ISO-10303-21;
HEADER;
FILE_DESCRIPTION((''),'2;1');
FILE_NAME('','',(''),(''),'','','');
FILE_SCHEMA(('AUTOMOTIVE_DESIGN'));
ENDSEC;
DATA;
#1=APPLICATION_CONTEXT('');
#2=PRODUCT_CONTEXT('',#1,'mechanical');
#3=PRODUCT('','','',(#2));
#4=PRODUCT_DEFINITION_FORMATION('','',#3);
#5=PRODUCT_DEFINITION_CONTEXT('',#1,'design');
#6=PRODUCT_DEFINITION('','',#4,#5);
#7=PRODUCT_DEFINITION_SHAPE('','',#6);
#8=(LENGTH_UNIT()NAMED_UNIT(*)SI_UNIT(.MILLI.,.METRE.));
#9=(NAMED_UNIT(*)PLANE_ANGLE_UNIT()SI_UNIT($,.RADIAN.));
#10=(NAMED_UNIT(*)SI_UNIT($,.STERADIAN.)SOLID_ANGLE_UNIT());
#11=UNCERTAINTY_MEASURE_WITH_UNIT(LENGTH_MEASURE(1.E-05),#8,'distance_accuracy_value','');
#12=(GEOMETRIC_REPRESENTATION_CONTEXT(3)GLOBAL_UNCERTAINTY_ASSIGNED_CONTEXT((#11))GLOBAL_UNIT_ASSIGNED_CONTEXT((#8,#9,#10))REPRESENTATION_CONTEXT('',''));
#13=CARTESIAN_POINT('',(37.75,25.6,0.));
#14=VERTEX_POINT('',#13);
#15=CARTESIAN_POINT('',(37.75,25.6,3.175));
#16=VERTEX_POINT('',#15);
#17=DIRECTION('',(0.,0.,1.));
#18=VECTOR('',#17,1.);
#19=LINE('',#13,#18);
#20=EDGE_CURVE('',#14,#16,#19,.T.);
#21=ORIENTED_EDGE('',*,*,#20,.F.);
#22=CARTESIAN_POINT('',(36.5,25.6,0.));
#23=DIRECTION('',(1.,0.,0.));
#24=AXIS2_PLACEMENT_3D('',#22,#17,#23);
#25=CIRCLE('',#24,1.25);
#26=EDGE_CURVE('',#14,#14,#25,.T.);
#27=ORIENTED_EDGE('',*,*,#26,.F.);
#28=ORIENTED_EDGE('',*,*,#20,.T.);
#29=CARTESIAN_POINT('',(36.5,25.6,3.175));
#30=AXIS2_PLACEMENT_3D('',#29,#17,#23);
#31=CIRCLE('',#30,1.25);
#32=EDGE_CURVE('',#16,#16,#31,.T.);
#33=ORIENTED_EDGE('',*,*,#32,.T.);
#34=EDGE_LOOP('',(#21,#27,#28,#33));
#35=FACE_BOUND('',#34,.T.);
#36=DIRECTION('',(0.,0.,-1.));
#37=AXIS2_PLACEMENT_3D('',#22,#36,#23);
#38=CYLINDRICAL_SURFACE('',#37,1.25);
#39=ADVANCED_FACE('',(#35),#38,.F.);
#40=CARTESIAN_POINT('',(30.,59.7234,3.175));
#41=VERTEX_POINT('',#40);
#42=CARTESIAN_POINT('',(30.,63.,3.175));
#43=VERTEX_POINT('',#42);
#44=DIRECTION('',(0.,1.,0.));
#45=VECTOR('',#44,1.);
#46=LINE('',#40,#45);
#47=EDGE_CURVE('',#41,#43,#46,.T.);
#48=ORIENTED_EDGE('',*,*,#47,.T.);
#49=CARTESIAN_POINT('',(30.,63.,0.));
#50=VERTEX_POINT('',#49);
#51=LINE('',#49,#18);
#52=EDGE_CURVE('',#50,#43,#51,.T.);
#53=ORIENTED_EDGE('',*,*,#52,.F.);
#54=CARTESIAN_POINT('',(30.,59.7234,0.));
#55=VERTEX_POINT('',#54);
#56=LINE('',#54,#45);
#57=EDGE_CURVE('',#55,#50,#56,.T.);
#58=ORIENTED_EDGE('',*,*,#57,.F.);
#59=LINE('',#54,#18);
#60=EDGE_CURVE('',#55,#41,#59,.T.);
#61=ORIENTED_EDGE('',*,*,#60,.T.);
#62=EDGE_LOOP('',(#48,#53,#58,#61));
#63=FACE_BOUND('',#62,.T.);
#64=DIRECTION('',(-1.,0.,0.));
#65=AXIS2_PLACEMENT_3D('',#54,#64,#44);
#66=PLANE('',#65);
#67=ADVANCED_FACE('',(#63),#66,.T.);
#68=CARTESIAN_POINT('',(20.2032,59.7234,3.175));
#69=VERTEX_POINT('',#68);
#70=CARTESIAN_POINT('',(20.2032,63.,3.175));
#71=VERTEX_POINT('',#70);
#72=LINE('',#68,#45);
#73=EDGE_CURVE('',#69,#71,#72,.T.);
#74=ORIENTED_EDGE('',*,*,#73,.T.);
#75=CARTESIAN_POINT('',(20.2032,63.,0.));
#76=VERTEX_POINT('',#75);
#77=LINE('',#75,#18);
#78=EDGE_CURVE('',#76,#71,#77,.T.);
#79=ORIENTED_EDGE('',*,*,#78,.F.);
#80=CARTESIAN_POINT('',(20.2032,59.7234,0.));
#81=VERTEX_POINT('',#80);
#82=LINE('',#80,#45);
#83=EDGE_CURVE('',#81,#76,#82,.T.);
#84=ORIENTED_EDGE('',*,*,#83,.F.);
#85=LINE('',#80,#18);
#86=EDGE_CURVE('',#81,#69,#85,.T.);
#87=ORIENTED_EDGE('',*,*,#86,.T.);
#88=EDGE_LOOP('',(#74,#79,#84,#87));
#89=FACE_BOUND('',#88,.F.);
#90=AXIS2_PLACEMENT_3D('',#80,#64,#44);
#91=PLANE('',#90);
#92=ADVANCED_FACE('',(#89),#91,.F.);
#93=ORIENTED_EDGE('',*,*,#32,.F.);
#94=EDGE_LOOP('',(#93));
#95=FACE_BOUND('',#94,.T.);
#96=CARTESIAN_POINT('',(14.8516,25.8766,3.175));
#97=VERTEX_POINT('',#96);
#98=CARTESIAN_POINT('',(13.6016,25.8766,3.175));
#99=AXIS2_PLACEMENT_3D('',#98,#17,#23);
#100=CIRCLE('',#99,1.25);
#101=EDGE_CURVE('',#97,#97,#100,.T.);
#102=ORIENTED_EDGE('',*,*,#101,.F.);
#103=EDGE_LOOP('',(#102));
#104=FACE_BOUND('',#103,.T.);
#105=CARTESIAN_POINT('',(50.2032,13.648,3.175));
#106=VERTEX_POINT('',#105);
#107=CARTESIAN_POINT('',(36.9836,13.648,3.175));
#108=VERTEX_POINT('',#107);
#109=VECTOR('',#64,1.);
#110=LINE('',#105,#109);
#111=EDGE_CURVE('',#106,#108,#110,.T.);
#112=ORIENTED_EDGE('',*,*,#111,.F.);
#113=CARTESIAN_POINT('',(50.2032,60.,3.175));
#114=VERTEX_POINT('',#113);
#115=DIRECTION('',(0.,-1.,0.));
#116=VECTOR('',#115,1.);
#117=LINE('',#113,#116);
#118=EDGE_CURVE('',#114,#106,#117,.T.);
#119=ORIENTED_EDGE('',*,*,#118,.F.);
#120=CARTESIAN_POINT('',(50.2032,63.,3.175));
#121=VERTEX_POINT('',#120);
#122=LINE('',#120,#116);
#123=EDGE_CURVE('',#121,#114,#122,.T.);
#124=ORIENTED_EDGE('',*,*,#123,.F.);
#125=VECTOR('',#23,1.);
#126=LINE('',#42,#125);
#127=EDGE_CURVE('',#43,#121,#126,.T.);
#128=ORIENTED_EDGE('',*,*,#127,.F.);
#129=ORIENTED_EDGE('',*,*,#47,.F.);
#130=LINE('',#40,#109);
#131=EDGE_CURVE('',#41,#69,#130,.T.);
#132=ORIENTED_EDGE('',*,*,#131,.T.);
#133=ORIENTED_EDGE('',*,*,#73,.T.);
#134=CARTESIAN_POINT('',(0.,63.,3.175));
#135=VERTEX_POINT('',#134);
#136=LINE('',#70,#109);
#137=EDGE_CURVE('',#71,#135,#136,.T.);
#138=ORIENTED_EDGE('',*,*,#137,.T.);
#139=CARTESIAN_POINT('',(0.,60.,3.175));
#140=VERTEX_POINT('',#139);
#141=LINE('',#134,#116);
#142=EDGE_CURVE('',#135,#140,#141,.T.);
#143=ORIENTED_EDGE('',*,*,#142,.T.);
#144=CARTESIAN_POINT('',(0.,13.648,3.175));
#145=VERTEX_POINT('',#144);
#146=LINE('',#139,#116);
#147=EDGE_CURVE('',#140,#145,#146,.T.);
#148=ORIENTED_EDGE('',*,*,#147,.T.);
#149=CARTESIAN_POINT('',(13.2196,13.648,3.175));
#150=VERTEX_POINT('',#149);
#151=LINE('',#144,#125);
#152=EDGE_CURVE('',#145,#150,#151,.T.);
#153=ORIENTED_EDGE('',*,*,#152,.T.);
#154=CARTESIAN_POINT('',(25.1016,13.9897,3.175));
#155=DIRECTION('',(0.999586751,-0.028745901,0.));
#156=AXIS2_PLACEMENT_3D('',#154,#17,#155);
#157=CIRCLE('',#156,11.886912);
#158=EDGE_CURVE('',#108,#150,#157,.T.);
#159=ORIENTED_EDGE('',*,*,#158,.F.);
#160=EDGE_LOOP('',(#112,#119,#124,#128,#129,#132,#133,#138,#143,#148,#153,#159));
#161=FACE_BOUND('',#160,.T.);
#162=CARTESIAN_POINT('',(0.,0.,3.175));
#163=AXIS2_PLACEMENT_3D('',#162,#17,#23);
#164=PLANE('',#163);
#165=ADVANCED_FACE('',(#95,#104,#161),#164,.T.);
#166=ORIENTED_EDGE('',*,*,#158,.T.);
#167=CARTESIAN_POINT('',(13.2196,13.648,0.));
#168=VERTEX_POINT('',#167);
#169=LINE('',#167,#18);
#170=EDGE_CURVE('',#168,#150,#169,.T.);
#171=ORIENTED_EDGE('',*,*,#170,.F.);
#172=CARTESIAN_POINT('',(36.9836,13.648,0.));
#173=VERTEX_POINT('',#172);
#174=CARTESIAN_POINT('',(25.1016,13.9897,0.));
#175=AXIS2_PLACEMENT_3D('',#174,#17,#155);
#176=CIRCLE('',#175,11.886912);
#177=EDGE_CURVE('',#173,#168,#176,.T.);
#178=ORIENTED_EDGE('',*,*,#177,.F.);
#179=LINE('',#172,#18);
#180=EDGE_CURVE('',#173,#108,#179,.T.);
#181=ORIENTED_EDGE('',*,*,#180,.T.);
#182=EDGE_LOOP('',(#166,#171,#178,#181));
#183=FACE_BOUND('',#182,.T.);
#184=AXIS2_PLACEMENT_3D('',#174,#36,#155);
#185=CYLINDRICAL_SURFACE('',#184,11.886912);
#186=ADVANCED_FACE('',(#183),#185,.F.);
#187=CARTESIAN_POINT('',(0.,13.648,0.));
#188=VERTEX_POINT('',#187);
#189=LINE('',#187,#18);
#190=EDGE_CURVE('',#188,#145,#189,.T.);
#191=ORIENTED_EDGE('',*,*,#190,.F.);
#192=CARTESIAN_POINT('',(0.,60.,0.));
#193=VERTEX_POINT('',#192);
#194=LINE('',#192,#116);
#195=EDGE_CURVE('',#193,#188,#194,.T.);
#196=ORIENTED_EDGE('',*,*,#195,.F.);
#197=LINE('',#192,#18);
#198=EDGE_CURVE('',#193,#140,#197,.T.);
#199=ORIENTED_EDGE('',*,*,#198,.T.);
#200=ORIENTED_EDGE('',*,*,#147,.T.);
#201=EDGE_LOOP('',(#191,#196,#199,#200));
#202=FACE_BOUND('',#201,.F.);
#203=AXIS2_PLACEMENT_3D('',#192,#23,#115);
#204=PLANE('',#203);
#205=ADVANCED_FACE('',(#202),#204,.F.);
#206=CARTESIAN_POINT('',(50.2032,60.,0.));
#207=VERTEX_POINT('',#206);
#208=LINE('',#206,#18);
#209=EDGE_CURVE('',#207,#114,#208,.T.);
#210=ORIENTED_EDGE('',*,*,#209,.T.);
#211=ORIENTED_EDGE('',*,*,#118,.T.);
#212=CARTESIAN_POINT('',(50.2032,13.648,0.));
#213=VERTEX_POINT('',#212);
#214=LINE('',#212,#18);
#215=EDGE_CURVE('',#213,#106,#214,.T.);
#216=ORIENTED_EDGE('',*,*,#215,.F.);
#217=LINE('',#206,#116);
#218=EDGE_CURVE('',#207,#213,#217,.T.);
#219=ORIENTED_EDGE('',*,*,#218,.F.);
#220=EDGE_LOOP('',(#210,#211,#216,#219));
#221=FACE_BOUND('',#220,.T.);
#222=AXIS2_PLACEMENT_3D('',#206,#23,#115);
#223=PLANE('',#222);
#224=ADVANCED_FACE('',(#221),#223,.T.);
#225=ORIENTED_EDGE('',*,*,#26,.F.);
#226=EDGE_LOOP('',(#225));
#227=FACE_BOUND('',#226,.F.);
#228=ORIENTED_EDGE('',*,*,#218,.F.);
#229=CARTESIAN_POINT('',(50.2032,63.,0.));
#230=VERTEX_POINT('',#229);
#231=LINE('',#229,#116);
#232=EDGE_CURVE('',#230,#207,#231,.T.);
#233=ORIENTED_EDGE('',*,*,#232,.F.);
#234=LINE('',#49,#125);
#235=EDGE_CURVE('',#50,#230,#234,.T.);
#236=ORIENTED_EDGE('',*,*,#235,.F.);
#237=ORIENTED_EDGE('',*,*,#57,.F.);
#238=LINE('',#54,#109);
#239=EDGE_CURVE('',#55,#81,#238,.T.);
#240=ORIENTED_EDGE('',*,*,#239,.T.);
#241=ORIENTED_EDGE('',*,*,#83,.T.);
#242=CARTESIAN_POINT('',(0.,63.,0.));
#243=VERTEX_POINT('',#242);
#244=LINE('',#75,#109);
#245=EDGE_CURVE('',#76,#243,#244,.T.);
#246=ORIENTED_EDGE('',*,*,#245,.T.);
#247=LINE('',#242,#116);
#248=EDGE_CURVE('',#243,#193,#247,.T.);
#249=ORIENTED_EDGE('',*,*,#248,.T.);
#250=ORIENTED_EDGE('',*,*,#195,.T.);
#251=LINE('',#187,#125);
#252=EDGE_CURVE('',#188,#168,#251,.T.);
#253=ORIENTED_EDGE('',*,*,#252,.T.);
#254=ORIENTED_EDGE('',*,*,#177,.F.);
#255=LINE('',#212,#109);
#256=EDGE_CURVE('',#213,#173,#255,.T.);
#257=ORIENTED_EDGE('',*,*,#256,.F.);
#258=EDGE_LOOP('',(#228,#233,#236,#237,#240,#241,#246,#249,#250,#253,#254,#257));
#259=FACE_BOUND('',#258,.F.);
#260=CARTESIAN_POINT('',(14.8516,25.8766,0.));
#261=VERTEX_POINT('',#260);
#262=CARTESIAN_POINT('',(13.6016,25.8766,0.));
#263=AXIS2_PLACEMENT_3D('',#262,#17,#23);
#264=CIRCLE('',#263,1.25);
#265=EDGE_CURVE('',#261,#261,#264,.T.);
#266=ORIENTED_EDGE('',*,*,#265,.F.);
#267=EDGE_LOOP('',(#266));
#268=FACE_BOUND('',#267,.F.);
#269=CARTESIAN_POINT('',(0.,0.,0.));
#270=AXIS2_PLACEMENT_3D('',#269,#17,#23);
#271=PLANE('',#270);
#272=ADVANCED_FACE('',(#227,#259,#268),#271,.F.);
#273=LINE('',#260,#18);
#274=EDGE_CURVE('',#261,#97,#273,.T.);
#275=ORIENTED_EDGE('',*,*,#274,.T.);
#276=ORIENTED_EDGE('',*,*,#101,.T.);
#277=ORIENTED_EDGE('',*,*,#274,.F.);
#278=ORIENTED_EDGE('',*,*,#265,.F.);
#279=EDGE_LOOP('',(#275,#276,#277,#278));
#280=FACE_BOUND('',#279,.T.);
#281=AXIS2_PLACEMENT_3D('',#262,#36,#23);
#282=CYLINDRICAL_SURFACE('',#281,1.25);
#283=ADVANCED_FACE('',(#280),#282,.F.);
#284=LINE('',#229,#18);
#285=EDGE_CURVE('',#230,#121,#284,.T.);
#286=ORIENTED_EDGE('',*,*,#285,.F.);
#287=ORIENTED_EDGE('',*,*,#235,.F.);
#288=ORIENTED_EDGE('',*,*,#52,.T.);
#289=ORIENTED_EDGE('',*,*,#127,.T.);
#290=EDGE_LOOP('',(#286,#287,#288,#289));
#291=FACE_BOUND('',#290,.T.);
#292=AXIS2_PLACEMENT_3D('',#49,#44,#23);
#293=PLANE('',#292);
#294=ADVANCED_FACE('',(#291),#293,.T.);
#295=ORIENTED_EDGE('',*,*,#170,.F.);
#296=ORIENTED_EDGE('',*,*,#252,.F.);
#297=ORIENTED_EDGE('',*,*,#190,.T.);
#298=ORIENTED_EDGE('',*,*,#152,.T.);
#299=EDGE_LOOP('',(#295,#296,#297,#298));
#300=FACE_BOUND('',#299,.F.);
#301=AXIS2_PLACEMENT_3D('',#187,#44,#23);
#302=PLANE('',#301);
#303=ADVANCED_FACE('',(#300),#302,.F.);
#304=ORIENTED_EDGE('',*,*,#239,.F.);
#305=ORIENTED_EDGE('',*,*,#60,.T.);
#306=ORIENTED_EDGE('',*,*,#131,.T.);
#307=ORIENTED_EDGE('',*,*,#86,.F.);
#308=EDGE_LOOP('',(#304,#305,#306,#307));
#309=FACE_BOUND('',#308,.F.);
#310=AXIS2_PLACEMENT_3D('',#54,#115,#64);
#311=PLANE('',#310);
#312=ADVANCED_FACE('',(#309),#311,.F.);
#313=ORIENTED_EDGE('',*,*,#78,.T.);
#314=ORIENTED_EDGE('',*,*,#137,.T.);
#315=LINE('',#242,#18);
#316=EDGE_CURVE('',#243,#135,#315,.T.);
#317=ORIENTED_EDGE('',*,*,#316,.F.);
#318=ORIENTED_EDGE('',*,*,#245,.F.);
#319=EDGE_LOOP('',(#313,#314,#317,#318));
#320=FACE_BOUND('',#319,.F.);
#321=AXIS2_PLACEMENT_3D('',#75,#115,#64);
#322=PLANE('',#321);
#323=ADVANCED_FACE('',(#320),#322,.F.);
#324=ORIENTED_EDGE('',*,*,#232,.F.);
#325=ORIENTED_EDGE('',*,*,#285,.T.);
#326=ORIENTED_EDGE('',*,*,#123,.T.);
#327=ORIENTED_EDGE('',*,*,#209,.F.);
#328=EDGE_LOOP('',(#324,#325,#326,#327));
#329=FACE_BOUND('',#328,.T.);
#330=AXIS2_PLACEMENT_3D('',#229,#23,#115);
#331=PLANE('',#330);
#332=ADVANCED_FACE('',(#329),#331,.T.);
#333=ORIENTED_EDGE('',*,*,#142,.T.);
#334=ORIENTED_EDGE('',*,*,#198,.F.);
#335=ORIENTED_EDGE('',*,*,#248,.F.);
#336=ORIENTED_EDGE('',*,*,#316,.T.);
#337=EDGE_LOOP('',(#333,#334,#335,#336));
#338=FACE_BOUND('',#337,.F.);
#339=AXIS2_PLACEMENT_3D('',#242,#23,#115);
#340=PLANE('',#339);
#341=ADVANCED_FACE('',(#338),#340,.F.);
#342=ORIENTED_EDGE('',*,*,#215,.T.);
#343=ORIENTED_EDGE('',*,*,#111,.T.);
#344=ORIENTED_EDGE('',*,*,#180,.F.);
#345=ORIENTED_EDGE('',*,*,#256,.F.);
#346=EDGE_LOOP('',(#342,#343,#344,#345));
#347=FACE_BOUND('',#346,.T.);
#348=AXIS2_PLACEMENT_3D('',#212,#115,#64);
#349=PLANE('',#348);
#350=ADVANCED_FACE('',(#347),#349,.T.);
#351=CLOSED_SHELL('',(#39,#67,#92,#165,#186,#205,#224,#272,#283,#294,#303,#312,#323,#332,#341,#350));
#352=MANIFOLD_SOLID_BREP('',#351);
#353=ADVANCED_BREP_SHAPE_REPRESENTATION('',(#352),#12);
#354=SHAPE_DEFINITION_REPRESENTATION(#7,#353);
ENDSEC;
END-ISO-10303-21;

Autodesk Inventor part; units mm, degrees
ref_plane "YZ Plane" through (0, 0, 0) normal (1, 0, 0) x (0, 1, 0)
ref_plane "XZ Plane" through (0, 0, 0) normal (0, 1, 0) x (-1, 0, 0)
ref_plane "XY Plane" through (0, 0, 0) normal (0, 0, 1) x (1, 0, 0)
sketch "Sketch1" plane through (0, 0, 0) normal (0, 0, 1) x (1, 0, 0)
  line L0 (20.2032, 59.7234) -> (20.2032, 63)
  line L1 (20.2032, 63) -> (0, 63)
  line L2 (0, 63) -> (0, 60)
  line L3 (30, 59.7234) -> (30, 63)
  line L4 (30, 63) -> (50.2032, 63)
  line L5 (50.2032, 63) -> (50.2032, 60)
  line L6 (30, 59.7234) -> (20.2032, 59.7234)
  circle A0 centre (13.6016, 25.8766) radius 1.25
  circle A1 centre (36.5, 25.6) radius 1.25
  line L7 (20.2032, 59.7234) -> (20.2032, 63)
  line L8 (20.2032, 63) -> (0, 63)
  line L9 (0, 63) -> (0, 60)
  line L10 (30, 59.7234) -> (30, 63)
  line L11 (30, 63) -> (50.2032, 63)
  line L12 (50.2032, 63) -> (50.2032, 60)
  line L13 (30, 59.7234) -> (20.2032, 59.7234)
  circle A2 centre (13.6016, 25.8766) radius 1.25
  circle A3 centre (36.5, 25.6) radius 1.25
  line L14 (0, 60) -> (0, 13.648)
  line L15 (50.2032, 60) -> (50.2032, 13.648)
  line L16 (0, 13.648) -> (13.2196, 13.648)
  line L17 (50.2032, 13.648) -> (36.9836, 13.648)
  arc A4 (36.9836, 13.648) -> (13.2196, 13.648) centre (25.1016, 13.9897) ccw
  point P0 (0, 0)
  dimension "d0" = 20.2032
  dimension "d1" = 3.2766
  dimension "d2" = 20.2032
  dimension "d3" = 2.5
  dimension "d4" = 2.5
  dimension "d7" = 20.2032
  dimension "d8" = 3.2766
  dimension "d9" = 20.2032
  dimension "d10" = 2.5
  dimension "d11" = 2.5
  dimension "d14" = 46.352
  dimension "d15" = 13.2196
  dimension "d16" = 13.2196
extrude "Extrusion1" add sketch "Sketch1" along normal blind 3.175
equation "\"d0\" = d5"
equation "\"d1\" = d6"
equation "\"d2\" = d5"
equation "\"d7\" = d12"
equation "\"d8\" = d13"
equation "\"d9\" = d12"
equation "\"d16\" = d15"
equation "\"d5\" = 20.2032"
equation "\"d6\" = 3.2766"
equation "\"d12\" = 20.2032"
equation "\"d13\" = 3.2766"
properties part number "side_plate_top"
